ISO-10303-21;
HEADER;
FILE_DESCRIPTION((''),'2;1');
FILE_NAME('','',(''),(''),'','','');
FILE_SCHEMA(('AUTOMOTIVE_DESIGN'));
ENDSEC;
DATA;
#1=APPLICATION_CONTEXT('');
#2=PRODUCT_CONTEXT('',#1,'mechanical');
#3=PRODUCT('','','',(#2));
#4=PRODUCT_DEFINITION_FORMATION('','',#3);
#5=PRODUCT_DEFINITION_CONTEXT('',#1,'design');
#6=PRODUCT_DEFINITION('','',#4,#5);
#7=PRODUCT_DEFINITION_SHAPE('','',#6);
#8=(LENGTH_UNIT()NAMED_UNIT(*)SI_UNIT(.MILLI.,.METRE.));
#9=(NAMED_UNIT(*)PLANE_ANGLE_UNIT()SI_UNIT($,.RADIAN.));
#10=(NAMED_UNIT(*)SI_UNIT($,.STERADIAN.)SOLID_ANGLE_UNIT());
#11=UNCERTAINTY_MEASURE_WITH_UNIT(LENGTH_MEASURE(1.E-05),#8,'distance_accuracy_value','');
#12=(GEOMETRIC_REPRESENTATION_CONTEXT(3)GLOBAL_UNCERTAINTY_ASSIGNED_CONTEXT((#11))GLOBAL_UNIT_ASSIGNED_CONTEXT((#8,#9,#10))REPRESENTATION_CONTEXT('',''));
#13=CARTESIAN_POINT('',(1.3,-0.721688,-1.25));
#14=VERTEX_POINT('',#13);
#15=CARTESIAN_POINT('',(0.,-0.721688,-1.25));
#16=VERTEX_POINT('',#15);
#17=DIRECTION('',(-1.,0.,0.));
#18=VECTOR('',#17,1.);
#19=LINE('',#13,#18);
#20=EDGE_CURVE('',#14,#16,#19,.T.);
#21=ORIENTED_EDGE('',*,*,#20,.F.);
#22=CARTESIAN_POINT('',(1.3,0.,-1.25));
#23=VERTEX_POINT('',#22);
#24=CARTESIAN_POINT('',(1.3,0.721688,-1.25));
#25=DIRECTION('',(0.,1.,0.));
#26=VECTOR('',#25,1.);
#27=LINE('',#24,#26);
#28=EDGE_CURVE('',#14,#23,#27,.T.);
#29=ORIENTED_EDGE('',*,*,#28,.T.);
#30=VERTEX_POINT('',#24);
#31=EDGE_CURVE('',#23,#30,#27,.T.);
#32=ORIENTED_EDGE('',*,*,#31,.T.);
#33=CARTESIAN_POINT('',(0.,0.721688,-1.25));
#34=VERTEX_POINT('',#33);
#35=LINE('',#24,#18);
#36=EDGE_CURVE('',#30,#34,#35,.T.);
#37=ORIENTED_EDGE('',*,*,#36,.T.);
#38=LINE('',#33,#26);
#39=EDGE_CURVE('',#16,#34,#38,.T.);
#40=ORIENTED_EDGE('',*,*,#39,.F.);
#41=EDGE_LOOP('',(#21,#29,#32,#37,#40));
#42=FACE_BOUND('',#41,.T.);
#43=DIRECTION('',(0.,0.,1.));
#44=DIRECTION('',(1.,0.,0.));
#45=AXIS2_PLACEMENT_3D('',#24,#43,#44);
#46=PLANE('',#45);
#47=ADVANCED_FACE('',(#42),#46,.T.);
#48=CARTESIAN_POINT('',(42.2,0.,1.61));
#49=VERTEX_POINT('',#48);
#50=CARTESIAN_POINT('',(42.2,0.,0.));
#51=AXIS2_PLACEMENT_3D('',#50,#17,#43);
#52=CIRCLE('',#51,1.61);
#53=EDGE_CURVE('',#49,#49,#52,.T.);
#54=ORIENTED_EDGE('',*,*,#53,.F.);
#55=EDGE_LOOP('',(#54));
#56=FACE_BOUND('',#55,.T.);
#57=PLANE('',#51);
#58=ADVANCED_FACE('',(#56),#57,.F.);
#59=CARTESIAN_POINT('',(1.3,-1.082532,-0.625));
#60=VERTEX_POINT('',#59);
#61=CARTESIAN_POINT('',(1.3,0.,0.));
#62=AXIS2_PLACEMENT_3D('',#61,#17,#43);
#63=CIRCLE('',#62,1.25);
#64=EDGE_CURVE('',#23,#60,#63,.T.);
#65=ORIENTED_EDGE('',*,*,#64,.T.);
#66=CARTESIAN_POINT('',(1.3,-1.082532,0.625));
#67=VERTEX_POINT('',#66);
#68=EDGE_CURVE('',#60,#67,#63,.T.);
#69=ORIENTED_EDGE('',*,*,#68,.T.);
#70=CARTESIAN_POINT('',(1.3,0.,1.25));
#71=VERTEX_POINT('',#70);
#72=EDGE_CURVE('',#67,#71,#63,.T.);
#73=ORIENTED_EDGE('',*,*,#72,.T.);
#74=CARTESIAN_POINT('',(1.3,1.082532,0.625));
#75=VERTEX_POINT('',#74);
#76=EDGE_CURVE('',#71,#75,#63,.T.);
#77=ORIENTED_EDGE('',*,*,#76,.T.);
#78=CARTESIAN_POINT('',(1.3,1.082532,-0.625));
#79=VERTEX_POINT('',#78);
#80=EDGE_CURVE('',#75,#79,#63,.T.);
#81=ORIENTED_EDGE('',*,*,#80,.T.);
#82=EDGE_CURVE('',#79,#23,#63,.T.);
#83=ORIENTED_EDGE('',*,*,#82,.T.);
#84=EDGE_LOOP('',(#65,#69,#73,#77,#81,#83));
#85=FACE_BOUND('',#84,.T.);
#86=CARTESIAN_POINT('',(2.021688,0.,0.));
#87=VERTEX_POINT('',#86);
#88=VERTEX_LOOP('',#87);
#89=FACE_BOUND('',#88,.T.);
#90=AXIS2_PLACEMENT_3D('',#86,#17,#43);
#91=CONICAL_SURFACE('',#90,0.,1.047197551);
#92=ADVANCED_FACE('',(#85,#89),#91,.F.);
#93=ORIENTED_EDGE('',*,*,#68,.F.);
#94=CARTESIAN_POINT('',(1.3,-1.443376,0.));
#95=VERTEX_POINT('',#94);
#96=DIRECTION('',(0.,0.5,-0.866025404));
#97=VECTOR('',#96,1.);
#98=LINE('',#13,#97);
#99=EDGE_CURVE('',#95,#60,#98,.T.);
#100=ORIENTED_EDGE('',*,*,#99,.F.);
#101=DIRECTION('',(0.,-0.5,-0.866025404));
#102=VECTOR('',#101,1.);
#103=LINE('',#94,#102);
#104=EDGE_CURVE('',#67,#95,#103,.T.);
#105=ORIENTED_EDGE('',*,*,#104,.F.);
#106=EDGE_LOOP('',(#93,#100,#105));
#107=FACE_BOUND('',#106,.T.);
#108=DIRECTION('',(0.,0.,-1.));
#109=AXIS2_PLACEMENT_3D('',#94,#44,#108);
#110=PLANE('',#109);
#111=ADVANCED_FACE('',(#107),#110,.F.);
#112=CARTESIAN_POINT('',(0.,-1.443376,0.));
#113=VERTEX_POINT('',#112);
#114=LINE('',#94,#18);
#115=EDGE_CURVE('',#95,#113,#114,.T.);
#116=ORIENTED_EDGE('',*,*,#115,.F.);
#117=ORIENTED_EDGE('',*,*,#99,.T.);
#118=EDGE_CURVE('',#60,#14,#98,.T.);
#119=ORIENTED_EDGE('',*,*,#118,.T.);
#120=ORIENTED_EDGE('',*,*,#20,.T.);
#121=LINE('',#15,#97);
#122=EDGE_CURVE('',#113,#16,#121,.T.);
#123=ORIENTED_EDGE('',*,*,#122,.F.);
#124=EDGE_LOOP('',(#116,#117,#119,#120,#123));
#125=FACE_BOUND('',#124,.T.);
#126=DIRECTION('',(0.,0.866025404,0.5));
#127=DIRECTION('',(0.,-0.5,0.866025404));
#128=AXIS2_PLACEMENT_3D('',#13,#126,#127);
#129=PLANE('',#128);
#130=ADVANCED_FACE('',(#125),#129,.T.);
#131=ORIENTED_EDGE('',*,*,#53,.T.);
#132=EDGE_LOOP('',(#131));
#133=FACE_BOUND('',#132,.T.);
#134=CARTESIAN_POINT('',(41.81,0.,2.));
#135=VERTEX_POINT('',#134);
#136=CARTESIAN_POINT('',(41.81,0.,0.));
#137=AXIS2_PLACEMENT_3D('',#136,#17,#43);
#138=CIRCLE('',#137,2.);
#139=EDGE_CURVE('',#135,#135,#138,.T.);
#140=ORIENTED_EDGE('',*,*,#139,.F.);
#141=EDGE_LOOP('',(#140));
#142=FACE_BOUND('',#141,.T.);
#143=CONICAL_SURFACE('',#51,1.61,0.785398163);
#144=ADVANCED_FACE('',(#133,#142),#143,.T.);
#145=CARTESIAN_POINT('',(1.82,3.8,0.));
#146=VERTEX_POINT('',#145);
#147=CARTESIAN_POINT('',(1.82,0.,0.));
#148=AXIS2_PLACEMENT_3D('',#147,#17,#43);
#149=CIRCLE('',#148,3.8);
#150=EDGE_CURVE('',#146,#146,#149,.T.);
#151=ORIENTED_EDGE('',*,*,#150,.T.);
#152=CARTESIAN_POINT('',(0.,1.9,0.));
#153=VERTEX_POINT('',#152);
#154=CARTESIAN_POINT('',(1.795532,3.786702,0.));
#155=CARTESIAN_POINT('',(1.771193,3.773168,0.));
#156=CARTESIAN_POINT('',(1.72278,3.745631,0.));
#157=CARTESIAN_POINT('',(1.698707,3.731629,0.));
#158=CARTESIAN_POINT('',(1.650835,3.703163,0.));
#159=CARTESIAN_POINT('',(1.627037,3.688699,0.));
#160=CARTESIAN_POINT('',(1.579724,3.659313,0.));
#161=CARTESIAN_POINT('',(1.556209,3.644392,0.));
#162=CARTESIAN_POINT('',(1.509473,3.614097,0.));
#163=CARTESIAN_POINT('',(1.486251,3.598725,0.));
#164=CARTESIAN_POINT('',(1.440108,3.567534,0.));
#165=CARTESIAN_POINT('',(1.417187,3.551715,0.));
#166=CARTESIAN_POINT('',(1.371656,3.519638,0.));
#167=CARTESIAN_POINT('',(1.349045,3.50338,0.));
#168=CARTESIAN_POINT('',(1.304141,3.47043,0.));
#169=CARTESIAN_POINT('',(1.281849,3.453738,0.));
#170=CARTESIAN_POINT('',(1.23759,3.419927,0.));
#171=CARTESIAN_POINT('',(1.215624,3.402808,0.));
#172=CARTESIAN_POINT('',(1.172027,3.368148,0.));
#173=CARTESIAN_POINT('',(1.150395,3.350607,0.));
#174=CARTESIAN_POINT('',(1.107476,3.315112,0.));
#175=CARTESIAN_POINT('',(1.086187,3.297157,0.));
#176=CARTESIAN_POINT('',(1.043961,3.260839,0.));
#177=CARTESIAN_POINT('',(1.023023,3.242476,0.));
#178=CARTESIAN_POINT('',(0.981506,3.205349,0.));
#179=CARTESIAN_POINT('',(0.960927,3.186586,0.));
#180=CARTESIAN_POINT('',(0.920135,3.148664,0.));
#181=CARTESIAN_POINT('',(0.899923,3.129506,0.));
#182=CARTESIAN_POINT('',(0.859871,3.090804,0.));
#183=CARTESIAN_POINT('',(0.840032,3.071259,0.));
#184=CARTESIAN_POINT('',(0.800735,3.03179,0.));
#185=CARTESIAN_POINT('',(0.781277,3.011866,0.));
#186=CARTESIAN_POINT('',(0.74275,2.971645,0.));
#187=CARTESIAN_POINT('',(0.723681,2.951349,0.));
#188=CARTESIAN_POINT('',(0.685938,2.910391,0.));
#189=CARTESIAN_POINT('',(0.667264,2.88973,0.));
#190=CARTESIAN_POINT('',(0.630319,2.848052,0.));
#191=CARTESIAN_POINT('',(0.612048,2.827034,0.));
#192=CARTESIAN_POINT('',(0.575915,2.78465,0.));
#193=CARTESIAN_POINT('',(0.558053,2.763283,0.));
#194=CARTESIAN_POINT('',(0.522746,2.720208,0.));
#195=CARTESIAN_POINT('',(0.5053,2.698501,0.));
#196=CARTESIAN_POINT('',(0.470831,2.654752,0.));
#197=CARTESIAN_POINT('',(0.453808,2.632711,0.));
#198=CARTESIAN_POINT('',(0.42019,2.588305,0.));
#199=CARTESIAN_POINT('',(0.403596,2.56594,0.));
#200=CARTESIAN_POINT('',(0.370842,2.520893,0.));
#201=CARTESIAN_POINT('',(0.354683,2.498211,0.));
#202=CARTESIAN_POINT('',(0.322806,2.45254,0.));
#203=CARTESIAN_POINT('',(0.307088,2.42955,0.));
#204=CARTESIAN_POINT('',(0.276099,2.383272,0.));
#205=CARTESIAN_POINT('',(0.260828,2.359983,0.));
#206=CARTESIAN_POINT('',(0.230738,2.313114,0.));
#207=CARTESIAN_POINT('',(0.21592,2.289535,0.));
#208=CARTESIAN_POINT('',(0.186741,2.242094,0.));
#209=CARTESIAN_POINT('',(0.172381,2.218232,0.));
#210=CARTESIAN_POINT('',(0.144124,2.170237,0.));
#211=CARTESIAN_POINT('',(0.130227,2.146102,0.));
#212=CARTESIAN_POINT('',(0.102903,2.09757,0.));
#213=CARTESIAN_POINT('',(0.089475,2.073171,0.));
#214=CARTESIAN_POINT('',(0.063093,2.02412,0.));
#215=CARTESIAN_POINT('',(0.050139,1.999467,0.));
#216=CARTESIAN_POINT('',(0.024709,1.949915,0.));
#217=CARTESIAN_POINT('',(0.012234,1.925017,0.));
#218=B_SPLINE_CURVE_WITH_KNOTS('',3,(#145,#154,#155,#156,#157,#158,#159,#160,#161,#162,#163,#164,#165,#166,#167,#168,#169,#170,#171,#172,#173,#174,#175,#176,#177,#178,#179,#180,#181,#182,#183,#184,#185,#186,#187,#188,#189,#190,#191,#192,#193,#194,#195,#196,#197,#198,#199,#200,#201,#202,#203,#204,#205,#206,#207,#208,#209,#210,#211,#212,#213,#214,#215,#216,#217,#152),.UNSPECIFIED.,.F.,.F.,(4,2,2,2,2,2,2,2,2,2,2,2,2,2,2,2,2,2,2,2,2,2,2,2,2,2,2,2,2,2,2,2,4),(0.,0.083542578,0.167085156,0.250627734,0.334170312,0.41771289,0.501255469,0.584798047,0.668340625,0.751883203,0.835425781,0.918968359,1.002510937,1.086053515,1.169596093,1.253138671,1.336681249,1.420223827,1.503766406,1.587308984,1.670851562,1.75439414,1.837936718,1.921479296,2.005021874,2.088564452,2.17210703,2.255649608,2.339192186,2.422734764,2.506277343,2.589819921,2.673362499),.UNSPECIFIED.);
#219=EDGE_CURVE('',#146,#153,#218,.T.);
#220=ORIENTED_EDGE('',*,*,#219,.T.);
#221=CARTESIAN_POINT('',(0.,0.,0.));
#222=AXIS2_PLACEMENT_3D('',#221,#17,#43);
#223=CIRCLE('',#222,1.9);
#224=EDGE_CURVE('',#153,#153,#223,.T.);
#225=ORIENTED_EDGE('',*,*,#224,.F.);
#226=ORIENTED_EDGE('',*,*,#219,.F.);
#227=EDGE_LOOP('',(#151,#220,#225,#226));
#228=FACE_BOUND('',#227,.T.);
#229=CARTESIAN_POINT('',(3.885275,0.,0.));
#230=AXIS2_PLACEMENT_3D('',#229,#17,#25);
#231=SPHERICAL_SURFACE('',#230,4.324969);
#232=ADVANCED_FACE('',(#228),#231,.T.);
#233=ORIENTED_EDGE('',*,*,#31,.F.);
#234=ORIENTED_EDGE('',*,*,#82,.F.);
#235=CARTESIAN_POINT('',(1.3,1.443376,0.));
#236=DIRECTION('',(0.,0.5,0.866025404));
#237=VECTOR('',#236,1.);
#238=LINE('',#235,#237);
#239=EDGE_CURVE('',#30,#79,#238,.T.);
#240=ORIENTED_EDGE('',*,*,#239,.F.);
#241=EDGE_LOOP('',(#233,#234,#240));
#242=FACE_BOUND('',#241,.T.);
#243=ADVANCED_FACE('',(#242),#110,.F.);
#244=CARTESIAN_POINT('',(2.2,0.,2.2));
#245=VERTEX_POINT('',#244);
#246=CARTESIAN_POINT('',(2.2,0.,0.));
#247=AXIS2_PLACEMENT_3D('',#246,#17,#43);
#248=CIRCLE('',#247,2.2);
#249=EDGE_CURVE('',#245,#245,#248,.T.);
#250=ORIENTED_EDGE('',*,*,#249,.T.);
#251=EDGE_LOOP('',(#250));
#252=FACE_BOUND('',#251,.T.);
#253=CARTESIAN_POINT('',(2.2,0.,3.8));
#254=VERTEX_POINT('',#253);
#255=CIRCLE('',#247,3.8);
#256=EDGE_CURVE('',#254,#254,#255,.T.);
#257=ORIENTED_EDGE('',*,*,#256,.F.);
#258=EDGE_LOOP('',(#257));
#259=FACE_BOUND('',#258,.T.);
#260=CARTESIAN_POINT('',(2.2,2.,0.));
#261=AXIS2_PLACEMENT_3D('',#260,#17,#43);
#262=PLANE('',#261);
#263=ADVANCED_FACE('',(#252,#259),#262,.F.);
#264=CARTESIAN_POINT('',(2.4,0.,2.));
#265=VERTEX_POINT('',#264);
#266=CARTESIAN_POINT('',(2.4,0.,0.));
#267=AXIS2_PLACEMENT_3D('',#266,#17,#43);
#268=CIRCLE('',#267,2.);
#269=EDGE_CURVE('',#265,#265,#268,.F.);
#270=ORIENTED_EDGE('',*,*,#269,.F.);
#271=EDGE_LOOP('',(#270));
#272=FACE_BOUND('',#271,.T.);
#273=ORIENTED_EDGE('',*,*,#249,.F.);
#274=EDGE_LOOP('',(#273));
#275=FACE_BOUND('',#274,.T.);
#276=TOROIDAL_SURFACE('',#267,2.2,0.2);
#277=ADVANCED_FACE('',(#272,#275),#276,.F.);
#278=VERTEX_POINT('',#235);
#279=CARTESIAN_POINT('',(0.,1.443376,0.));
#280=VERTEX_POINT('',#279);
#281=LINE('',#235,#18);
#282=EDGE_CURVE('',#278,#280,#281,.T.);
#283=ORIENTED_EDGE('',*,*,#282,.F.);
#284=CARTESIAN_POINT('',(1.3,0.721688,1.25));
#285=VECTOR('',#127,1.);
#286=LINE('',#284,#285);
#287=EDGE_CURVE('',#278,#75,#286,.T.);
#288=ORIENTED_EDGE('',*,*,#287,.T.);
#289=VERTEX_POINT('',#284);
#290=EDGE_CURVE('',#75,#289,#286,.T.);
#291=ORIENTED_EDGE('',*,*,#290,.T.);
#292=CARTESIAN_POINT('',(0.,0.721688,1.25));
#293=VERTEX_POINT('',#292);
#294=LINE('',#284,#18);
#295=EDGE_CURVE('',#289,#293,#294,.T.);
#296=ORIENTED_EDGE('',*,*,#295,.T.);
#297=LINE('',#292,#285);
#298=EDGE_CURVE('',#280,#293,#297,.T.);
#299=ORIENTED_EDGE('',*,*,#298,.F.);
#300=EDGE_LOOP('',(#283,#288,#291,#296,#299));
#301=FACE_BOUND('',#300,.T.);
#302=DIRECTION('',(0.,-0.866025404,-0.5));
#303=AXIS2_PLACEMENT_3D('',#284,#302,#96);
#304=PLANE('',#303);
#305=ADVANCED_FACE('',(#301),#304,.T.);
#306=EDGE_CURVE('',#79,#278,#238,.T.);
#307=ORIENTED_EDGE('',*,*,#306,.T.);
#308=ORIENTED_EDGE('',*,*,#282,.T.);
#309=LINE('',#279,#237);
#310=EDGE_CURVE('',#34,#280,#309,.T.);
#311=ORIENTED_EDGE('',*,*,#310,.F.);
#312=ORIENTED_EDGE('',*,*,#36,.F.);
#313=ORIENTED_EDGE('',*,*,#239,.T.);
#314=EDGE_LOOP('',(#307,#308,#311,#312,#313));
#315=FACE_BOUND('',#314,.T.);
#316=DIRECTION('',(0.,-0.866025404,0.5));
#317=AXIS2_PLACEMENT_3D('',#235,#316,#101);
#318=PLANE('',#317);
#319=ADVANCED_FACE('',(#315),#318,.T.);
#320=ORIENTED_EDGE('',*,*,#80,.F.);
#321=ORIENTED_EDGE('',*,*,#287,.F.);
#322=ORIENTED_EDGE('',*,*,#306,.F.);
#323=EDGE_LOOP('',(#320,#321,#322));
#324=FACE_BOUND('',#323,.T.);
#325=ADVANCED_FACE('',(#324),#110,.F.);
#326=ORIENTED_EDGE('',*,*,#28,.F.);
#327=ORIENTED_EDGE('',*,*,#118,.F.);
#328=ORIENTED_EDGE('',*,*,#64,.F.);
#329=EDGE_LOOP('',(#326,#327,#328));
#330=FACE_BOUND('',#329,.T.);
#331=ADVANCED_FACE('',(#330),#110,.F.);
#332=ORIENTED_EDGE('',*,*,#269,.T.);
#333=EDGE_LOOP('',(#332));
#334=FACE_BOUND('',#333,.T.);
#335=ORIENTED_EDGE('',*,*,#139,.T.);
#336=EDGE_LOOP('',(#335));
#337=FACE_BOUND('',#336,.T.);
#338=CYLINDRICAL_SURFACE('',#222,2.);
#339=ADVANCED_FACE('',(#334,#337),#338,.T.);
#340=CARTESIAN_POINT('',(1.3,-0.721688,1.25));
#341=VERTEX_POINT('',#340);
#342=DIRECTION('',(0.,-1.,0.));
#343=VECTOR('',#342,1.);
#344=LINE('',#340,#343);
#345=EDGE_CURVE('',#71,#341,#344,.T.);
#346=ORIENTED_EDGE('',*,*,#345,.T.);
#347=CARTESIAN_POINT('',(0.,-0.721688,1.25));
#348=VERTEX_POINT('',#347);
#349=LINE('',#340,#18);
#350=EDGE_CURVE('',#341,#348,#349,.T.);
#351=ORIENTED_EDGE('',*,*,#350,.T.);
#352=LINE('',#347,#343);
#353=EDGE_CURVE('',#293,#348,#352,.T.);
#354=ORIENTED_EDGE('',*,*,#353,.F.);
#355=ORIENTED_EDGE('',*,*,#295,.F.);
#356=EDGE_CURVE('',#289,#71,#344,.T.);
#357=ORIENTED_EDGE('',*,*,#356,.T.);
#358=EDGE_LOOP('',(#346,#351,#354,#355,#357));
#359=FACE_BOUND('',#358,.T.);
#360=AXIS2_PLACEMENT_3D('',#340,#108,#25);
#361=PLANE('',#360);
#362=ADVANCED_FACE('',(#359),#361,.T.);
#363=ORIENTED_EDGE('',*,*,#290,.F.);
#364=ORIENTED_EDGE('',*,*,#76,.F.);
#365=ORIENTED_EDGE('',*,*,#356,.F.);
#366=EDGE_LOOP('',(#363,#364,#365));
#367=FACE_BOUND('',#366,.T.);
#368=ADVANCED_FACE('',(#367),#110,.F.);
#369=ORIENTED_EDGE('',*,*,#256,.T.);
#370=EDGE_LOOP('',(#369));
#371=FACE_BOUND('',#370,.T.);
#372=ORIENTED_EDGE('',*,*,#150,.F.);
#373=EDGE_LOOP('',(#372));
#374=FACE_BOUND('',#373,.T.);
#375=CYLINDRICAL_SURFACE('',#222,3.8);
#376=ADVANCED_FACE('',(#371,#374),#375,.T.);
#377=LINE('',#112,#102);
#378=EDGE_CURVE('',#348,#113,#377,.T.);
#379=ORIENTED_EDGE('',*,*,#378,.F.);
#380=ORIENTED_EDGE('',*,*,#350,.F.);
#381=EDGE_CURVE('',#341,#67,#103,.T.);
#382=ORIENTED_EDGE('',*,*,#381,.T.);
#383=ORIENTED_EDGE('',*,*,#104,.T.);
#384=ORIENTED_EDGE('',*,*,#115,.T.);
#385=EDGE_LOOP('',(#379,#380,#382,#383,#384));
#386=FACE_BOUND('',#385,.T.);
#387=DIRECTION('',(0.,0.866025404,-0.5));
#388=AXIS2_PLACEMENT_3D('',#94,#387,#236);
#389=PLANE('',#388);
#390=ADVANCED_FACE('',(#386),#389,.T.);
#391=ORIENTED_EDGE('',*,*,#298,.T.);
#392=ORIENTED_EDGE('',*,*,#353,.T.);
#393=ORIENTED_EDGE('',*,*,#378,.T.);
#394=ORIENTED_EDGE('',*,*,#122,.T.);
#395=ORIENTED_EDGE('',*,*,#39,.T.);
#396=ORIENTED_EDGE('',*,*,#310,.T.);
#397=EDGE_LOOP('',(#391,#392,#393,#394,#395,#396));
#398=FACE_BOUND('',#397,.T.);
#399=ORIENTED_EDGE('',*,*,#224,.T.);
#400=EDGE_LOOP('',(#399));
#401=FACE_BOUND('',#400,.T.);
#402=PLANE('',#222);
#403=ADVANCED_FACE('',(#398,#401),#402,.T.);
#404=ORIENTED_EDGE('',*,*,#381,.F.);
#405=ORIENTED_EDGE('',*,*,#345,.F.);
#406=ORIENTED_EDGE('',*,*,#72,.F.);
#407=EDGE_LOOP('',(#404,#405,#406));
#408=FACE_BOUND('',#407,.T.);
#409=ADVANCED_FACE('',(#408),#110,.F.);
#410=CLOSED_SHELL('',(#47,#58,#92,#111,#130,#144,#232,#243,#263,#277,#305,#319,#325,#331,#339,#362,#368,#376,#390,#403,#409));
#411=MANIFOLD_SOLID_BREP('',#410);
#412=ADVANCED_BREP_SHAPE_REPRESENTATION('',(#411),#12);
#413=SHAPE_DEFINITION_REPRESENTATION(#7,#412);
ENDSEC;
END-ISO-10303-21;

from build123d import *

# Parameters (mm, degrees)
FILLET1_R   = 0.2
HEX_2_DEPTH = 1.3


with BuildPart() as part:
    # BodySke → BaseBody (revolve)
    with BuildSketch(Plane.XY, mode=Mode.PRIVATE) as basebody_sk:
        with BuildLine():
            Line((42.2, 0), (42.2, 1.61))
            Line((42.2, 1.61), (41.81, 2))
            Line((41.81, 2), (2.2, 2))
            Line((2.2, 2), (2.2, 3.8))
            Line((2.2, 3.8), (1.82, 3.8))
            ThreePointArc((1.82, 3.8), (0.762013659, 2.991755338), (0, 1.9))
            Line((0, 1.9), (0, 0))
            Line((0, 0), (42.2, 0))
        make_face()
    revolve(basebody_sk.sketch.rotate(Axis((0, 0, 0), (1, 0, 0)), 90), axis=Axis((0, 0, 0), (1, 0, 0)))

    # Fillet1
    fillet1_edges = [part.edges().sort_by_distance(p)[0] for p in [
        (2.2, 0, -2),
    ]]
    fillet(fillet1_edges, radius=FILLET1_R)

    # Sketch2 → PreBroach (revolve, cut)
    with BuildSketch(Plane.XY, mode=Mode.PRIVATE) as prebroach_sk:
        Polygon((0, 1.25), (1.3, 1.25), (2.021687836, 0), (0, 0), align=None)
    revolve(prebroach_sk.sketch.rotate(Axis((0, 0, 0), (1, 0, 0)), 90), axis=Axis((0, 0, 0), (1, 0, 0)), mode=Mode.SUBTRACT)

    # Sketch3 → Hex 2 (cut)
    with BuildSketch(Plane(origin=(0, 0, 0), x_dir=(0, 0, -1), z_dir=(1, 0, 0))):
        Polygon((-1.25, -0.721687836), (-1.25, 0.721687836), (0, 1.443375673), (1.25, 0.721687836), (1.25, -0.721687836), (0, -1.443375673), align=None)
    extrude(amount=HEX_2_DEPTH, mode=Mode.SUBTRACT)


solid = part.part
